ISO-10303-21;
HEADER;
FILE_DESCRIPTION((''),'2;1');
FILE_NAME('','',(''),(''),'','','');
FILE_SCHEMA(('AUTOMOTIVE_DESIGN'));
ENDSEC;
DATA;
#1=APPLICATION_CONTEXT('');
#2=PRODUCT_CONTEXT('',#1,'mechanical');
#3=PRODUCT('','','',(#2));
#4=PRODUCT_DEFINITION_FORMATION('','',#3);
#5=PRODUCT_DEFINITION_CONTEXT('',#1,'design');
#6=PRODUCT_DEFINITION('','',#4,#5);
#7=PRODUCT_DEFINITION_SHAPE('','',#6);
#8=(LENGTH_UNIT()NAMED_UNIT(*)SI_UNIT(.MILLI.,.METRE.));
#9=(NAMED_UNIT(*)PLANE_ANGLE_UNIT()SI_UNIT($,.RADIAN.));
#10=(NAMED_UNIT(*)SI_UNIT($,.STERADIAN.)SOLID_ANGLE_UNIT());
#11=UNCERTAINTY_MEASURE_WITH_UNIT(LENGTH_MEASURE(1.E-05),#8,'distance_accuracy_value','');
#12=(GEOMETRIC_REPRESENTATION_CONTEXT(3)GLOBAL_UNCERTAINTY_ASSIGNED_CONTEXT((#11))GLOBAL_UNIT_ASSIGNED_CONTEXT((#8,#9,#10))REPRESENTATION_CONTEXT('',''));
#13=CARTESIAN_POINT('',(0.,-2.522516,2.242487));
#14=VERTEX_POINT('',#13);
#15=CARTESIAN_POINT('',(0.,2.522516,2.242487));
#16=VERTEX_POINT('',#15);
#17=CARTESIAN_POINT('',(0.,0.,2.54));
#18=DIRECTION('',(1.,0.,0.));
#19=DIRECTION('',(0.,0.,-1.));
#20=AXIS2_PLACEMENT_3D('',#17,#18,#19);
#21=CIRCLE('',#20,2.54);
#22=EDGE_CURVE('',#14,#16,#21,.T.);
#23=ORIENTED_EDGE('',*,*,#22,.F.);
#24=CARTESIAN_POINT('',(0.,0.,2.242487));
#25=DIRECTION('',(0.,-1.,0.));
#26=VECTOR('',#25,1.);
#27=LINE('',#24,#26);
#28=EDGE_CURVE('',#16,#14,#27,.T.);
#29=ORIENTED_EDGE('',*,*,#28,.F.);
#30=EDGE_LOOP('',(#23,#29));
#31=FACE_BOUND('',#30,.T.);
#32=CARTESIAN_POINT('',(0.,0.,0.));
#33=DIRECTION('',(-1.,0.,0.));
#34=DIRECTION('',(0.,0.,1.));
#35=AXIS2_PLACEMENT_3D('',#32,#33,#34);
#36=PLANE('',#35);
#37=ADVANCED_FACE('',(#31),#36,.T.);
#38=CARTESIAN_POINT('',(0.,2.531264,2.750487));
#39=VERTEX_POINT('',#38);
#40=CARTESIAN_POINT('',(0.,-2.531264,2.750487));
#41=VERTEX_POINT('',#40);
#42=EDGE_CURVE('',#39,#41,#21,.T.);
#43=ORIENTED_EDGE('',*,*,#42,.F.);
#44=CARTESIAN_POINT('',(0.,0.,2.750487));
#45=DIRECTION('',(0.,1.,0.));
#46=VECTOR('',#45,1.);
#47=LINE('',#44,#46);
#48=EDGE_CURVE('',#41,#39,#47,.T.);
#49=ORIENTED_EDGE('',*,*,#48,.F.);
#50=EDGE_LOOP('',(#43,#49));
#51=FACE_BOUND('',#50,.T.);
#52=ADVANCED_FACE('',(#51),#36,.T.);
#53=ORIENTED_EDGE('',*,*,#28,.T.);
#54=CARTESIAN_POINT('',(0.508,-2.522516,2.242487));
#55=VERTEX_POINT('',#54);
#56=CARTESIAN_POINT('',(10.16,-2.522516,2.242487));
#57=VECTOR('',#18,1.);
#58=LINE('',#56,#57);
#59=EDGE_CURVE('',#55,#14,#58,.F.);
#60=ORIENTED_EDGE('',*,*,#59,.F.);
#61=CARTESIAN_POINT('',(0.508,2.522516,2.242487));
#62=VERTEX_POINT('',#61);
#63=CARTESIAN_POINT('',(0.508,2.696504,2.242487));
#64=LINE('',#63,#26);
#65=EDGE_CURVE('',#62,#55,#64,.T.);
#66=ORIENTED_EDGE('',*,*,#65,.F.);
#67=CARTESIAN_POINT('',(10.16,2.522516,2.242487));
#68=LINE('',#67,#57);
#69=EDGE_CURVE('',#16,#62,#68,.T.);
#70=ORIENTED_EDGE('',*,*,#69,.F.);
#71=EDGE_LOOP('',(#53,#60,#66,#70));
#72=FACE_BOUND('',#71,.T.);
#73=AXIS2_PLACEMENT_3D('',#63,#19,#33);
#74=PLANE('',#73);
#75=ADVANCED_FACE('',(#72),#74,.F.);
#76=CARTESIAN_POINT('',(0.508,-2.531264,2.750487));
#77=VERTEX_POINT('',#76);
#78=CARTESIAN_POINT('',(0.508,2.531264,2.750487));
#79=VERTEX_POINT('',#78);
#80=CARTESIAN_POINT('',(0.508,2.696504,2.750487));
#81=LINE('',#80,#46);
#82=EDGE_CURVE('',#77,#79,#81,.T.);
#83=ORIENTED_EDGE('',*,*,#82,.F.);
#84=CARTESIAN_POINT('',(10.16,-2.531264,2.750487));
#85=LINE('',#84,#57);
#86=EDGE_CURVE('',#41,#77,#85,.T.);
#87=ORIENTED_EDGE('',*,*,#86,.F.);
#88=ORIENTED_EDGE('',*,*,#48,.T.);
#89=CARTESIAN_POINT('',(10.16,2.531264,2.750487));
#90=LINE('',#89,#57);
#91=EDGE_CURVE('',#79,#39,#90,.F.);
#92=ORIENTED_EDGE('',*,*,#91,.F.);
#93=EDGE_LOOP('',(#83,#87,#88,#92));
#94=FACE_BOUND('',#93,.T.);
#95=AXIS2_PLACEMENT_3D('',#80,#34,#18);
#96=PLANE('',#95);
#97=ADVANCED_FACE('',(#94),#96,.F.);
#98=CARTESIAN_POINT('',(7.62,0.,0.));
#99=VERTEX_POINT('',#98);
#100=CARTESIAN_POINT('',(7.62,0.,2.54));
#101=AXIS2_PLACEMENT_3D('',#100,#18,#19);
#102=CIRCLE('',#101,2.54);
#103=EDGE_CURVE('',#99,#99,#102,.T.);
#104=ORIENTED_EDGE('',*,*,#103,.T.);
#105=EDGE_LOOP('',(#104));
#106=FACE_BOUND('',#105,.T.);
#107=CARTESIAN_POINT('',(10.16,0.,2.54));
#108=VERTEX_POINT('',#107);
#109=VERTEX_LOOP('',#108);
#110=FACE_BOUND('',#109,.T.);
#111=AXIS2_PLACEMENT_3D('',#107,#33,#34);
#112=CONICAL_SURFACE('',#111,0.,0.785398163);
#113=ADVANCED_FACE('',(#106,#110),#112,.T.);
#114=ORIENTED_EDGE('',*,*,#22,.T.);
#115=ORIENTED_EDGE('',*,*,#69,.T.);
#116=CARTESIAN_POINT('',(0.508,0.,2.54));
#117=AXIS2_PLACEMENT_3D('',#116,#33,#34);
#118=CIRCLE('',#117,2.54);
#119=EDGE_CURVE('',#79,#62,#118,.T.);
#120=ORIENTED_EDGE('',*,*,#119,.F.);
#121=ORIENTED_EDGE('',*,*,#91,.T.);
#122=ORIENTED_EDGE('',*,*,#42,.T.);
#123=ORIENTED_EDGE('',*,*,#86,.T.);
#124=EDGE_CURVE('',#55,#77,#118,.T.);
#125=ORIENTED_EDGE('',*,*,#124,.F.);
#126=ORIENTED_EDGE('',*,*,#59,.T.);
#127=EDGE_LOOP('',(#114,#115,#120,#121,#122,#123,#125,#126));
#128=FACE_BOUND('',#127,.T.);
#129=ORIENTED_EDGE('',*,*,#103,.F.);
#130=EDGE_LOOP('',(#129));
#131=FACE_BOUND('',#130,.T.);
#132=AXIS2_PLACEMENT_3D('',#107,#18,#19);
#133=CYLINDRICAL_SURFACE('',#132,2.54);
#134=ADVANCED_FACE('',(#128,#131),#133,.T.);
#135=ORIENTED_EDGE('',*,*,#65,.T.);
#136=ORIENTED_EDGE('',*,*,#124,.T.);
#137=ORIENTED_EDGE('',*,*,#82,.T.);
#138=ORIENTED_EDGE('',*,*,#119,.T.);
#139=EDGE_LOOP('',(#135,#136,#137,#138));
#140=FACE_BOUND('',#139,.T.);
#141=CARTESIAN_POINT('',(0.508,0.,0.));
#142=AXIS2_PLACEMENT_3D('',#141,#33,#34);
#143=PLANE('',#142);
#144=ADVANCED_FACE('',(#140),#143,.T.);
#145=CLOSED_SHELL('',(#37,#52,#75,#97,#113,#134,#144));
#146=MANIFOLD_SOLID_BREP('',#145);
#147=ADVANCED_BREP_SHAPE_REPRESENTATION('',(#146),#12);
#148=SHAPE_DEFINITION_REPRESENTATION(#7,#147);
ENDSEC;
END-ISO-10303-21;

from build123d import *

# Parameters (mm, degrees)
SKETCH1_W          = 7.62
SKETCH1_H          = 2.54
SKETCH2_W          = 0.508
SKETCH2_H          = 5.430732337
CUT_EXTRUDE1_DEPTH = 0.508


with BuildPart() as part:
    # Sketch1 → Revolve1 (revolve)
    with BuildSketch(Plane(origin=(0, 0, 0), x_dir=(1, 0, 0), z_dir=(0, 1, 0))):
        Polygon((7.62, -2.54), (10.16, -2.54), (7.62, 0), align=None)
        with Locations((3.81, -1.27)):
            Rectangle(SKETCH1_W, SKETCH1_H)
    revolve(axis=Axis((10.16, 0, 2.54), (-1, 0, 0)))

    # Sketch2 → Cut-Extrude1 (cut)
    with BuildSketch(Plane.ZY):
        with Locations((2.496486647, -0.018862031)):
            Rectangle(SKETCH2_W, SKETCH2_H)
    extrude(amount=-CUT_EXTRUDE1_DEPTH, mode=Mode.SUBTRACT)


solid = part.part
